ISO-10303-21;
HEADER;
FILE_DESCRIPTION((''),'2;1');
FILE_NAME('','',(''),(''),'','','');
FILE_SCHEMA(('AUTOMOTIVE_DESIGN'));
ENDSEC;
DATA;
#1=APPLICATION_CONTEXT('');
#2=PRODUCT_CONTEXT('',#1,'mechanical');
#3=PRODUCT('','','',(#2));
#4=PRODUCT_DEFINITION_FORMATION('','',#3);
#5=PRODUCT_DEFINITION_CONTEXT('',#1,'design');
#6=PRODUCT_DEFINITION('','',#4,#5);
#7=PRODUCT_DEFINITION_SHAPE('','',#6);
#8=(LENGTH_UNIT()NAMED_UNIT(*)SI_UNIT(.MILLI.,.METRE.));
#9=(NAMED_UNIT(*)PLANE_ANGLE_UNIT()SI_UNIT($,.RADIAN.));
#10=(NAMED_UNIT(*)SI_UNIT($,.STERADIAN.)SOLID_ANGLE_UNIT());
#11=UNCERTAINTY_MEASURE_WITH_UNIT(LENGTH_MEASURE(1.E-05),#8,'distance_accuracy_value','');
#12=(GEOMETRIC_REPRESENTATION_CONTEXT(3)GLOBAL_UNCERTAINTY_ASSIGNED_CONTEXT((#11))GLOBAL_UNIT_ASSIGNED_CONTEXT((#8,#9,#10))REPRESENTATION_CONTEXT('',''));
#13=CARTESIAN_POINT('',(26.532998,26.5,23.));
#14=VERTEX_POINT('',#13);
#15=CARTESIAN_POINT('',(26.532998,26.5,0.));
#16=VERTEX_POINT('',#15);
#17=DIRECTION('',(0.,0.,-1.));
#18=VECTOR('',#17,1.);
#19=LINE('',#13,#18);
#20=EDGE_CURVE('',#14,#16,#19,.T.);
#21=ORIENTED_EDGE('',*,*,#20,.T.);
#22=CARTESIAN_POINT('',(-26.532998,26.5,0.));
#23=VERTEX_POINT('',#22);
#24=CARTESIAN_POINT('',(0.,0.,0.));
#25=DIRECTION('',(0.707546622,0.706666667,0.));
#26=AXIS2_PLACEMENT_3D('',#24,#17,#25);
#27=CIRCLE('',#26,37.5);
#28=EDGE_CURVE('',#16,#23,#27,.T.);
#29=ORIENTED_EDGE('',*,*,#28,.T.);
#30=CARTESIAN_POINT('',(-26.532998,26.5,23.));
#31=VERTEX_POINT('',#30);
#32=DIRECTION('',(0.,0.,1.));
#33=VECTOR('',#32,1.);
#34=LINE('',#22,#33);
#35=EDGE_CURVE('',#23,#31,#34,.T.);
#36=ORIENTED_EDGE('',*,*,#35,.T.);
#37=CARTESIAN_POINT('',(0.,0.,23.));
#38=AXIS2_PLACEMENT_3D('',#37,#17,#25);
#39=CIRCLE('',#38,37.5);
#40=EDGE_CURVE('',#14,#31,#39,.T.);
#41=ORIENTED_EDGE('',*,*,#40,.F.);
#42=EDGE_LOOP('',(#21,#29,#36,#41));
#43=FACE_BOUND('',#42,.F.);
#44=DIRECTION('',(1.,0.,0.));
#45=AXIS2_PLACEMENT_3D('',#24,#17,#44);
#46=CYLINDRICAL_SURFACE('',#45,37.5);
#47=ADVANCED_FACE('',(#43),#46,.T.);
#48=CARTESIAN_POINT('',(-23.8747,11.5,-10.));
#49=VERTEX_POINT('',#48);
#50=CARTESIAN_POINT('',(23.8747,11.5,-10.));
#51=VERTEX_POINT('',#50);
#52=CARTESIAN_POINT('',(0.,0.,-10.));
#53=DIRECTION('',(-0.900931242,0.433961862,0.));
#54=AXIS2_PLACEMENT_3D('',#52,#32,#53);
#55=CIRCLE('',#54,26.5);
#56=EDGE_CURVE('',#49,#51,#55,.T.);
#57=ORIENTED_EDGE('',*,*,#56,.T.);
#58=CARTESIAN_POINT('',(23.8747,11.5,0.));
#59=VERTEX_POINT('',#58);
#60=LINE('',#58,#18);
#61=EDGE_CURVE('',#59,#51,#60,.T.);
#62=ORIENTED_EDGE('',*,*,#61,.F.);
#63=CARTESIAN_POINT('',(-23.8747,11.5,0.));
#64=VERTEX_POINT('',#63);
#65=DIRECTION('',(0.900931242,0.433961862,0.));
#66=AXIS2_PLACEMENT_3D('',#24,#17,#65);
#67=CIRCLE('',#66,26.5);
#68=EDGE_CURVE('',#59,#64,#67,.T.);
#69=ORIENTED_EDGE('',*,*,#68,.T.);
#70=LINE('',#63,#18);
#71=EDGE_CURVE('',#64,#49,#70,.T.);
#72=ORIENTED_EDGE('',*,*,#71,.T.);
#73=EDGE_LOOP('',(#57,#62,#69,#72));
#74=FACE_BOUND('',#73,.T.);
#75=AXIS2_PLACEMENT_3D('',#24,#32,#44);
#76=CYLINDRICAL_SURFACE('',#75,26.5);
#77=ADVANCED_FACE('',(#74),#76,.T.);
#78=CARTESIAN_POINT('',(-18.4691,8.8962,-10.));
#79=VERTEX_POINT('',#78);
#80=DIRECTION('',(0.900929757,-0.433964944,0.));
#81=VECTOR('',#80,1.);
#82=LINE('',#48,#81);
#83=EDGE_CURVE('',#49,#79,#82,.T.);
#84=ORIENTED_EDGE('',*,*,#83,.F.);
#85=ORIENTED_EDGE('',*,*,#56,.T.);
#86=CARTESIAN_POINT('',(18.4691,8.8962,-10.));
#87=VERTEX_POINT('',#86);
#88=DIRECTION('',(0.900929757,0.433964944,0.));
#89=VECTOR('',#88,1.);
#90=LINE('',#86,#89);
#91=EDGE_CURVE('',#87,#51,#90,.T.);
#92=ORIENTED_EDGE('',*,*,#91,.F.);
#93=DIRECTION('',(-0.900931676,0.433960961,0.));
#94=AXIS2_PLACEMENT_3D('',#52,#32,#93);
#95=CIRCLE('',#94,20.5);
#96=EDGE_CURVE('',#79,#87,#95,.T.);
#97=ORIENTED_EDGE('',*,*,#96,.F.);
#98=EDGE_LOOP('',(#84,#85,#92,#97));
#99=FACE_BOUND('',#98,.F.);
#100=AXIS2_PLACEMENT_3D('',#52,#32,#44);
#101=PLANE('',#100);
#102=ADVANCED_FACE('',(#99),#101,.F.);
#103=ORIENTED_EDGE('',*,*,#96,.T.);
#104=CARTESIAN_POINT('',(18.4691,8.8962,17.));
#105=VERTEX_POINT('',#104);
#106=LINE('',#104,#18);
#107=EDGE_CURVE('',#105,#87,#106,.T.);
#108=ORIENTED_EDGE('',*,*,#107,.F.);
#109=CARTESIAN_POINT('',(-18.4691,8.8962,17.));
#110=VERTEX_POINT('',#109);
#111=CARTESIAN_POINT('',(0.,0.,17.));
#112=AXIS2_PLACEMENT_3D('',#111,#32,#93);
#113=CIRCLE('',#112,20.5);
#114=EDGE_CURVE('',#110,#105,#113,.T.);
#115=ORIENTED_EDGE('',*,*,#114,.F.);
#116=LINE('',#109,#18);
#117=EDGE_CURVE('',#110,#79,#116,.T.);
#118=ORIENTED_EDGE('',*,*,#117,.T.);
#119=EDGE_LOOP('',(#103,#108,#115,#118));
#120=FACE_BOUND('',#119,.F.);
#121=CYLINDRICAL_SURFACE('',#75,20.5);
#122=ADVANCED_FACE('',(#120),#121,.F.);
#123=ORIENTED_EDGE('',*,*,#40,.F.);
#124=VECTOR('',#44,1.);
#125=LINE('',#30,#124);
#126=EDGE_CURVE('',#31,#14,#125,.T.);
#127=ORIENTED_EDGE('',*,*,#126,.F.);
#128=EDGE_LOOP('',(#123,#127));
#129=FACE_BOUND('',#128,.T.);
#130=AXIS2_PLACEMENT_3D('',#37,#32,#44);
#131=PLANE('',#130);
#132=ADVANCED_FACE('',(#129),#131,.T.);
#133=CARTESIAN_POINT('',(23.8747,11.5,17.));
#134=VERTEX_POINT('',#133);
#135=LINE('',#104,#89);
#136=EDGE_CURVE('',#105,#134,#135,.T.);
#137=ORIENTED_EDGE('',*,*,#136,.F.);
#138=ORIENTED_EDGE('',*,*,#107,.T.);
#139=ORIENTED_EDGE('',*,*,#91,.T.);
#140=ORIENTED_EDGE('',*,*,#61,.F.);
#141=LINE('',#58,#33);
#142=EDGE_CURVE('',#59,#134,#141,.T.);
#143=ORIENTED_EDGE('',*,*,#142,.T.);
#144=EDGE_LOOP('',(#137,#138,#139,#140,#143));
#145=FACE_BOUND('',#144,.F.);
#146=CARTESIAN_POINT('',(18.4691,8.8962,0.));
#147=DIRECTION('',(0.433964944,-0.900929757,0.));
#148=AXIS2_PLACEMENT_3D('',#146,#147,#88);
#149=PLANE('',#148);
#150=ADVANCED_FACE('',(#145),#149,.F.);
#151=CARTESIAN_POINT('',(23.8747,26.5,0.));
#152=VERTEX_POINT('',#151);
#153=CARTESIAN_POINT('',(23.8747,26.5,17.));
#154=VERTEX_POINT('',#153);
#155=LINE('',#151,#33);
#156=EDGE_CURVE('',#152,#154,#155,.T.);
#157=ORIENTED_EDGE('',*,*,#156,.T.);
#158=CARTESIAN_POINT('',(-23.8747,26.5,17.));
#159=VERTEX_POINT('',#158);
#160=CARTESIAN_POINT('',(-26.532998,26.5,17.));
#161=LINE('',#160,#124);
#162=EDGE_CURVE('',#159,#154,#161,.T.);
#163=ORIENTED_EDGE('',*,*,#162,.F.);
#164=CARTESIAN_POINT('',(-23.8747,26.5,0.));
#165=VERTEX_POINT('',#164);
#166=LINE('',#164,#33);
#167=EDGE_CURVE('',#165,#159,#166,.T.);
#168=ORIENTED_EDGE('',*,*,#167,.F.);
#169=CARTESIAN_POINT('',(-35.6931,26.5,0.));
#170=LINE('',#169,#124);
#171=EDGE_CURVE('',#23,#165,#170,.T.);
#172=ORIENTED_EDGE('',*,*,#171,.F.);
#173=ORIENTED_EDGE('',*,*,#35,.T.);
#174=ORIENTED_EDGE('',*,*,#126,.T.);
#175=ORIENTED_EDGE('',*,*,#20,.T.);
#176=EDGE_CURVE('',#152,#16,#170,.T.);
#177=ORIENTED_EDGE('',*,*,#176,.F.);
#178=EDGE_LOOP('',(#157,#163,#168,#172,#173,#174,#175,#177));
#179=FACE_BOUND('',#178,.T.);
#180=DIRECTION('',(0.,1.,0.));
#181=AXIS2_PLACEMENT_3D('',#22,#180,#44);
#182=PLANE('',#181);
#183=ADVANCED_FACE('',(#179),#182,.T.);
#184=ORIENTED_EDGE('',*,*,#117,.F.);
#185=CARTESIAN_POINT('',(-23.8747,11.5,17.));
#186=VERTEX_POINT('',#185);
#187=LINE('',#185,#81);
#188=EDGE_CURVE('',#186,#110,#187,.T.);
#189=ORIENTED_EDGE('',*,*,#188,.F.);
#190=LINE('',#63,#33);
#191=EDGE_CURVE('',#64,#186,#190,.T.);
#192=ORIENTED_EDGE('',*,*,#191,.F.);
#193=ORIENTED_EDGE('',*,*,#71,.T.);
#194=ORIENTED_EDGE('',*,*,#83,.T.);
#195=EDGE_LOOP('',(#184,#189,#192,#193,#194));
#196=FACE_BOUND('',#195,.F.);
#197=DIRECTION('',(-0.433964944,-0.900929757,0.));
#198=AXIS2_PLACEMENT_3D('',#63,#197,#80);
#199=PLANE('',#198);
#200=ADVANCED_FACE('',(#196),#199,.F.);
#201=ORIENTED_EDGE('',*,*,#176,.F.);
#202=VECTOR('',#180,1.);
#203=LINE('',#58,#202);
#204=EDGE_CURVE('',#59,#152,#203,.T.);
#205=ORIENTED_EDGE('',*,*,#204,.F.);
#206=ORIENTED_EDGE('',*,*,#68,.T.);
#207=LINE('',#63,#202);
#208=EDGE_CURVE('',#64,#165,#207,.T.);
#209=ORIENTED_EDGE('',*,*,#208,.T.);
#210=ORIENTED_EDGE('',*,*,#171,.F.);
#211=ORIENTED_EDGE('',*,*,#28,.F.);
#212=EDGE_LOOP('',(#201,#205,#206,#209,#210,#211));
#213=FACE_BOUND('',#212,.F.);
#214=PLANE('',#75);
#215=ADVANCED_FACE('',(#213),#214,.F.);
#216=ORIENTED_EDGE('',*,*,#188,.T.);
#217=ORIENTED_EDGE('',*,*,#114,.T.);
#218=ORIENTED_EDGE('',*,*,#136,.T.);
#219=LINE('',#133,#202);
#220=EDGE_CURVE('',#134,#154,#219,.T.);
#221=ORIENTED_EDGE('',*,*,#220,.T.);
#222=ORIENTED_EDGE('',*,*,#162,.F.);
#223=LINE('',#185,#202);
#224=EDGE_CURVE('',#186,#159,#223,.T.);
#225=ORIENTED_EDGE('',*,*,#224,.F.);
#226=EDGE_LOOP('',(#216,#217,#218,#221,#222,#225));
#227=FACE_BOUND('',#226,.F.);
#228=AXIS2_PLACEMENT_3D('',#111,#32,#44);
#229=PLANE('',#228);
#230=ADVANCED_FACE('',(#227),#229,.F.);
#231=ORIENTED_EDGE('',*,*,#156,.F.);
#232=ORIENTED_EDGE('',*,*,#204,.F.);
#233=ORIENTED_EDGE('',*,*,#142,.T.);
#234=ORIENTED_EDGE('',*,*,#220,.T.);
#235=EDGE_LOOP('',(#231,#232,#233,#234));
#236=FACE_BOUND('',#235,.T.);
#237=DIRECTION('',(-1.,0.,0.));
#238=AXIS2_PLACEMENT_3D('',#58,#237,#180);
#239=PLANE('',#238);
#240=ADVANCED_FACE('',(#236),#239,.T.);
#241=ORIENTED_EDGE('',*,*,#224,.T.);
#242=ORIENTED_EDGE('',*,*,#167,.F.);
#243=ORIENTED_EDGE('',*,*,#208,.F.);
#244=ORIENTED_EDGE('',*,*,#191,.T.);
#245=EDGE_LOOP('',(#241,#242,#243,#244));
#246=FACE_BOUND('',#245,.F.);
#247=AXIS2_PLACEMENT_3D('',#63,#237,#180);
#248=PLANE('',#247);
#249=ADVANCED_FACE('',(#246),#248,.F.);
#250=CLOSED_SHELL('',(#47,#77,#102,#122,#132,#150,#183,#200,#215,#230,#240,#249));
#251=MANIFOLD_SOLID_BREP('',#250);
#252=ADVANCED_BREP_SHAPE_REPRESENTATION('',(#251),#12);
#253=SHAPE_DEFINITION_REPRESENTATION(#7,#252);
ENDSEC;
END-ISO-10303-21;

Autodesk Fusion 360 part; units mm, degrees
sketch "Sketch1" plane through (0, 0, 0) normal (0, 0, 1) x (1, 0, 0)
  circle A0 centre (0, 0) radius 26.5
  circle A1 centre (0, 0) radius 37.5
  line L0 (-35.6931, 26.5) -> (64.3069, 26.5)
  line L1 (64.3069, 26.5) -> (64.3069, 11.5)
  line L2 (64.3069, 11.5) -> (-35.6931, 11.5)
  line L3 (-35.6931, 11.5) -> (-35.6931, 26.5)
  line L4 (-35.6931, 26.5) -> (64.3069, 26.5)
  line L5 (64.3069, 26.5) -> (64.3069, 56.5)
  line L6 (64.3069, 56.5) -> (-35.6931, 56.5)
  line L7 (-35.6931, 56.5) -> (-35.6931, 26.5)
  circle A2 centre (0, 0) radius 20.5
  line L8 (-23.8747, 11.5) -> (-23.8747, 56.5)
  line L9 (23.8747, 11.5) -> (23.8747, 56.5)
  line L10 (18.4691, 8.8962) -> (23.8747, 11.5)
  line L11 (-23.8747, 11.5) -> (-18.4691, 8.8962)
  dimension "d1" = 53
  dimension "d2" = 75
  dimension "d3" = 100
  dimension "d4" = 15
  dimension "d5" = 30
  dimension "d12" = 41
extrude "Extrude1" add sketch "Sketch1" along normal blind 17 contours A0 A2 L10 L11 | A0 A1 L2 | A1 L0 L2 L4 L9 | A1 L0 L2 L4 L8
extrude "Extrude2" add sketch "Sketch1" along normal blind 6 from surface at 17 contours A0 A2 L10 L11 | A0 A1 L2 | A0 L2 A2 | A1 L0 L2 L4 L9 | L2 A2 L10 | A0 L0 L4 L9 | A0 L0 L4 L8 | A1 L0 L2 L4 L8 | L2 A2 L11 | L2 A2 | L2 A2
extrude "Extrude3" add sketch "Sketch1" against normal blind 10 contours A0 A2 L10 L11
equation "d2 = 53 mm + ( 2 * 11 ) * 1 mm"
equation "d12 = 53 mm - 12 mm"
